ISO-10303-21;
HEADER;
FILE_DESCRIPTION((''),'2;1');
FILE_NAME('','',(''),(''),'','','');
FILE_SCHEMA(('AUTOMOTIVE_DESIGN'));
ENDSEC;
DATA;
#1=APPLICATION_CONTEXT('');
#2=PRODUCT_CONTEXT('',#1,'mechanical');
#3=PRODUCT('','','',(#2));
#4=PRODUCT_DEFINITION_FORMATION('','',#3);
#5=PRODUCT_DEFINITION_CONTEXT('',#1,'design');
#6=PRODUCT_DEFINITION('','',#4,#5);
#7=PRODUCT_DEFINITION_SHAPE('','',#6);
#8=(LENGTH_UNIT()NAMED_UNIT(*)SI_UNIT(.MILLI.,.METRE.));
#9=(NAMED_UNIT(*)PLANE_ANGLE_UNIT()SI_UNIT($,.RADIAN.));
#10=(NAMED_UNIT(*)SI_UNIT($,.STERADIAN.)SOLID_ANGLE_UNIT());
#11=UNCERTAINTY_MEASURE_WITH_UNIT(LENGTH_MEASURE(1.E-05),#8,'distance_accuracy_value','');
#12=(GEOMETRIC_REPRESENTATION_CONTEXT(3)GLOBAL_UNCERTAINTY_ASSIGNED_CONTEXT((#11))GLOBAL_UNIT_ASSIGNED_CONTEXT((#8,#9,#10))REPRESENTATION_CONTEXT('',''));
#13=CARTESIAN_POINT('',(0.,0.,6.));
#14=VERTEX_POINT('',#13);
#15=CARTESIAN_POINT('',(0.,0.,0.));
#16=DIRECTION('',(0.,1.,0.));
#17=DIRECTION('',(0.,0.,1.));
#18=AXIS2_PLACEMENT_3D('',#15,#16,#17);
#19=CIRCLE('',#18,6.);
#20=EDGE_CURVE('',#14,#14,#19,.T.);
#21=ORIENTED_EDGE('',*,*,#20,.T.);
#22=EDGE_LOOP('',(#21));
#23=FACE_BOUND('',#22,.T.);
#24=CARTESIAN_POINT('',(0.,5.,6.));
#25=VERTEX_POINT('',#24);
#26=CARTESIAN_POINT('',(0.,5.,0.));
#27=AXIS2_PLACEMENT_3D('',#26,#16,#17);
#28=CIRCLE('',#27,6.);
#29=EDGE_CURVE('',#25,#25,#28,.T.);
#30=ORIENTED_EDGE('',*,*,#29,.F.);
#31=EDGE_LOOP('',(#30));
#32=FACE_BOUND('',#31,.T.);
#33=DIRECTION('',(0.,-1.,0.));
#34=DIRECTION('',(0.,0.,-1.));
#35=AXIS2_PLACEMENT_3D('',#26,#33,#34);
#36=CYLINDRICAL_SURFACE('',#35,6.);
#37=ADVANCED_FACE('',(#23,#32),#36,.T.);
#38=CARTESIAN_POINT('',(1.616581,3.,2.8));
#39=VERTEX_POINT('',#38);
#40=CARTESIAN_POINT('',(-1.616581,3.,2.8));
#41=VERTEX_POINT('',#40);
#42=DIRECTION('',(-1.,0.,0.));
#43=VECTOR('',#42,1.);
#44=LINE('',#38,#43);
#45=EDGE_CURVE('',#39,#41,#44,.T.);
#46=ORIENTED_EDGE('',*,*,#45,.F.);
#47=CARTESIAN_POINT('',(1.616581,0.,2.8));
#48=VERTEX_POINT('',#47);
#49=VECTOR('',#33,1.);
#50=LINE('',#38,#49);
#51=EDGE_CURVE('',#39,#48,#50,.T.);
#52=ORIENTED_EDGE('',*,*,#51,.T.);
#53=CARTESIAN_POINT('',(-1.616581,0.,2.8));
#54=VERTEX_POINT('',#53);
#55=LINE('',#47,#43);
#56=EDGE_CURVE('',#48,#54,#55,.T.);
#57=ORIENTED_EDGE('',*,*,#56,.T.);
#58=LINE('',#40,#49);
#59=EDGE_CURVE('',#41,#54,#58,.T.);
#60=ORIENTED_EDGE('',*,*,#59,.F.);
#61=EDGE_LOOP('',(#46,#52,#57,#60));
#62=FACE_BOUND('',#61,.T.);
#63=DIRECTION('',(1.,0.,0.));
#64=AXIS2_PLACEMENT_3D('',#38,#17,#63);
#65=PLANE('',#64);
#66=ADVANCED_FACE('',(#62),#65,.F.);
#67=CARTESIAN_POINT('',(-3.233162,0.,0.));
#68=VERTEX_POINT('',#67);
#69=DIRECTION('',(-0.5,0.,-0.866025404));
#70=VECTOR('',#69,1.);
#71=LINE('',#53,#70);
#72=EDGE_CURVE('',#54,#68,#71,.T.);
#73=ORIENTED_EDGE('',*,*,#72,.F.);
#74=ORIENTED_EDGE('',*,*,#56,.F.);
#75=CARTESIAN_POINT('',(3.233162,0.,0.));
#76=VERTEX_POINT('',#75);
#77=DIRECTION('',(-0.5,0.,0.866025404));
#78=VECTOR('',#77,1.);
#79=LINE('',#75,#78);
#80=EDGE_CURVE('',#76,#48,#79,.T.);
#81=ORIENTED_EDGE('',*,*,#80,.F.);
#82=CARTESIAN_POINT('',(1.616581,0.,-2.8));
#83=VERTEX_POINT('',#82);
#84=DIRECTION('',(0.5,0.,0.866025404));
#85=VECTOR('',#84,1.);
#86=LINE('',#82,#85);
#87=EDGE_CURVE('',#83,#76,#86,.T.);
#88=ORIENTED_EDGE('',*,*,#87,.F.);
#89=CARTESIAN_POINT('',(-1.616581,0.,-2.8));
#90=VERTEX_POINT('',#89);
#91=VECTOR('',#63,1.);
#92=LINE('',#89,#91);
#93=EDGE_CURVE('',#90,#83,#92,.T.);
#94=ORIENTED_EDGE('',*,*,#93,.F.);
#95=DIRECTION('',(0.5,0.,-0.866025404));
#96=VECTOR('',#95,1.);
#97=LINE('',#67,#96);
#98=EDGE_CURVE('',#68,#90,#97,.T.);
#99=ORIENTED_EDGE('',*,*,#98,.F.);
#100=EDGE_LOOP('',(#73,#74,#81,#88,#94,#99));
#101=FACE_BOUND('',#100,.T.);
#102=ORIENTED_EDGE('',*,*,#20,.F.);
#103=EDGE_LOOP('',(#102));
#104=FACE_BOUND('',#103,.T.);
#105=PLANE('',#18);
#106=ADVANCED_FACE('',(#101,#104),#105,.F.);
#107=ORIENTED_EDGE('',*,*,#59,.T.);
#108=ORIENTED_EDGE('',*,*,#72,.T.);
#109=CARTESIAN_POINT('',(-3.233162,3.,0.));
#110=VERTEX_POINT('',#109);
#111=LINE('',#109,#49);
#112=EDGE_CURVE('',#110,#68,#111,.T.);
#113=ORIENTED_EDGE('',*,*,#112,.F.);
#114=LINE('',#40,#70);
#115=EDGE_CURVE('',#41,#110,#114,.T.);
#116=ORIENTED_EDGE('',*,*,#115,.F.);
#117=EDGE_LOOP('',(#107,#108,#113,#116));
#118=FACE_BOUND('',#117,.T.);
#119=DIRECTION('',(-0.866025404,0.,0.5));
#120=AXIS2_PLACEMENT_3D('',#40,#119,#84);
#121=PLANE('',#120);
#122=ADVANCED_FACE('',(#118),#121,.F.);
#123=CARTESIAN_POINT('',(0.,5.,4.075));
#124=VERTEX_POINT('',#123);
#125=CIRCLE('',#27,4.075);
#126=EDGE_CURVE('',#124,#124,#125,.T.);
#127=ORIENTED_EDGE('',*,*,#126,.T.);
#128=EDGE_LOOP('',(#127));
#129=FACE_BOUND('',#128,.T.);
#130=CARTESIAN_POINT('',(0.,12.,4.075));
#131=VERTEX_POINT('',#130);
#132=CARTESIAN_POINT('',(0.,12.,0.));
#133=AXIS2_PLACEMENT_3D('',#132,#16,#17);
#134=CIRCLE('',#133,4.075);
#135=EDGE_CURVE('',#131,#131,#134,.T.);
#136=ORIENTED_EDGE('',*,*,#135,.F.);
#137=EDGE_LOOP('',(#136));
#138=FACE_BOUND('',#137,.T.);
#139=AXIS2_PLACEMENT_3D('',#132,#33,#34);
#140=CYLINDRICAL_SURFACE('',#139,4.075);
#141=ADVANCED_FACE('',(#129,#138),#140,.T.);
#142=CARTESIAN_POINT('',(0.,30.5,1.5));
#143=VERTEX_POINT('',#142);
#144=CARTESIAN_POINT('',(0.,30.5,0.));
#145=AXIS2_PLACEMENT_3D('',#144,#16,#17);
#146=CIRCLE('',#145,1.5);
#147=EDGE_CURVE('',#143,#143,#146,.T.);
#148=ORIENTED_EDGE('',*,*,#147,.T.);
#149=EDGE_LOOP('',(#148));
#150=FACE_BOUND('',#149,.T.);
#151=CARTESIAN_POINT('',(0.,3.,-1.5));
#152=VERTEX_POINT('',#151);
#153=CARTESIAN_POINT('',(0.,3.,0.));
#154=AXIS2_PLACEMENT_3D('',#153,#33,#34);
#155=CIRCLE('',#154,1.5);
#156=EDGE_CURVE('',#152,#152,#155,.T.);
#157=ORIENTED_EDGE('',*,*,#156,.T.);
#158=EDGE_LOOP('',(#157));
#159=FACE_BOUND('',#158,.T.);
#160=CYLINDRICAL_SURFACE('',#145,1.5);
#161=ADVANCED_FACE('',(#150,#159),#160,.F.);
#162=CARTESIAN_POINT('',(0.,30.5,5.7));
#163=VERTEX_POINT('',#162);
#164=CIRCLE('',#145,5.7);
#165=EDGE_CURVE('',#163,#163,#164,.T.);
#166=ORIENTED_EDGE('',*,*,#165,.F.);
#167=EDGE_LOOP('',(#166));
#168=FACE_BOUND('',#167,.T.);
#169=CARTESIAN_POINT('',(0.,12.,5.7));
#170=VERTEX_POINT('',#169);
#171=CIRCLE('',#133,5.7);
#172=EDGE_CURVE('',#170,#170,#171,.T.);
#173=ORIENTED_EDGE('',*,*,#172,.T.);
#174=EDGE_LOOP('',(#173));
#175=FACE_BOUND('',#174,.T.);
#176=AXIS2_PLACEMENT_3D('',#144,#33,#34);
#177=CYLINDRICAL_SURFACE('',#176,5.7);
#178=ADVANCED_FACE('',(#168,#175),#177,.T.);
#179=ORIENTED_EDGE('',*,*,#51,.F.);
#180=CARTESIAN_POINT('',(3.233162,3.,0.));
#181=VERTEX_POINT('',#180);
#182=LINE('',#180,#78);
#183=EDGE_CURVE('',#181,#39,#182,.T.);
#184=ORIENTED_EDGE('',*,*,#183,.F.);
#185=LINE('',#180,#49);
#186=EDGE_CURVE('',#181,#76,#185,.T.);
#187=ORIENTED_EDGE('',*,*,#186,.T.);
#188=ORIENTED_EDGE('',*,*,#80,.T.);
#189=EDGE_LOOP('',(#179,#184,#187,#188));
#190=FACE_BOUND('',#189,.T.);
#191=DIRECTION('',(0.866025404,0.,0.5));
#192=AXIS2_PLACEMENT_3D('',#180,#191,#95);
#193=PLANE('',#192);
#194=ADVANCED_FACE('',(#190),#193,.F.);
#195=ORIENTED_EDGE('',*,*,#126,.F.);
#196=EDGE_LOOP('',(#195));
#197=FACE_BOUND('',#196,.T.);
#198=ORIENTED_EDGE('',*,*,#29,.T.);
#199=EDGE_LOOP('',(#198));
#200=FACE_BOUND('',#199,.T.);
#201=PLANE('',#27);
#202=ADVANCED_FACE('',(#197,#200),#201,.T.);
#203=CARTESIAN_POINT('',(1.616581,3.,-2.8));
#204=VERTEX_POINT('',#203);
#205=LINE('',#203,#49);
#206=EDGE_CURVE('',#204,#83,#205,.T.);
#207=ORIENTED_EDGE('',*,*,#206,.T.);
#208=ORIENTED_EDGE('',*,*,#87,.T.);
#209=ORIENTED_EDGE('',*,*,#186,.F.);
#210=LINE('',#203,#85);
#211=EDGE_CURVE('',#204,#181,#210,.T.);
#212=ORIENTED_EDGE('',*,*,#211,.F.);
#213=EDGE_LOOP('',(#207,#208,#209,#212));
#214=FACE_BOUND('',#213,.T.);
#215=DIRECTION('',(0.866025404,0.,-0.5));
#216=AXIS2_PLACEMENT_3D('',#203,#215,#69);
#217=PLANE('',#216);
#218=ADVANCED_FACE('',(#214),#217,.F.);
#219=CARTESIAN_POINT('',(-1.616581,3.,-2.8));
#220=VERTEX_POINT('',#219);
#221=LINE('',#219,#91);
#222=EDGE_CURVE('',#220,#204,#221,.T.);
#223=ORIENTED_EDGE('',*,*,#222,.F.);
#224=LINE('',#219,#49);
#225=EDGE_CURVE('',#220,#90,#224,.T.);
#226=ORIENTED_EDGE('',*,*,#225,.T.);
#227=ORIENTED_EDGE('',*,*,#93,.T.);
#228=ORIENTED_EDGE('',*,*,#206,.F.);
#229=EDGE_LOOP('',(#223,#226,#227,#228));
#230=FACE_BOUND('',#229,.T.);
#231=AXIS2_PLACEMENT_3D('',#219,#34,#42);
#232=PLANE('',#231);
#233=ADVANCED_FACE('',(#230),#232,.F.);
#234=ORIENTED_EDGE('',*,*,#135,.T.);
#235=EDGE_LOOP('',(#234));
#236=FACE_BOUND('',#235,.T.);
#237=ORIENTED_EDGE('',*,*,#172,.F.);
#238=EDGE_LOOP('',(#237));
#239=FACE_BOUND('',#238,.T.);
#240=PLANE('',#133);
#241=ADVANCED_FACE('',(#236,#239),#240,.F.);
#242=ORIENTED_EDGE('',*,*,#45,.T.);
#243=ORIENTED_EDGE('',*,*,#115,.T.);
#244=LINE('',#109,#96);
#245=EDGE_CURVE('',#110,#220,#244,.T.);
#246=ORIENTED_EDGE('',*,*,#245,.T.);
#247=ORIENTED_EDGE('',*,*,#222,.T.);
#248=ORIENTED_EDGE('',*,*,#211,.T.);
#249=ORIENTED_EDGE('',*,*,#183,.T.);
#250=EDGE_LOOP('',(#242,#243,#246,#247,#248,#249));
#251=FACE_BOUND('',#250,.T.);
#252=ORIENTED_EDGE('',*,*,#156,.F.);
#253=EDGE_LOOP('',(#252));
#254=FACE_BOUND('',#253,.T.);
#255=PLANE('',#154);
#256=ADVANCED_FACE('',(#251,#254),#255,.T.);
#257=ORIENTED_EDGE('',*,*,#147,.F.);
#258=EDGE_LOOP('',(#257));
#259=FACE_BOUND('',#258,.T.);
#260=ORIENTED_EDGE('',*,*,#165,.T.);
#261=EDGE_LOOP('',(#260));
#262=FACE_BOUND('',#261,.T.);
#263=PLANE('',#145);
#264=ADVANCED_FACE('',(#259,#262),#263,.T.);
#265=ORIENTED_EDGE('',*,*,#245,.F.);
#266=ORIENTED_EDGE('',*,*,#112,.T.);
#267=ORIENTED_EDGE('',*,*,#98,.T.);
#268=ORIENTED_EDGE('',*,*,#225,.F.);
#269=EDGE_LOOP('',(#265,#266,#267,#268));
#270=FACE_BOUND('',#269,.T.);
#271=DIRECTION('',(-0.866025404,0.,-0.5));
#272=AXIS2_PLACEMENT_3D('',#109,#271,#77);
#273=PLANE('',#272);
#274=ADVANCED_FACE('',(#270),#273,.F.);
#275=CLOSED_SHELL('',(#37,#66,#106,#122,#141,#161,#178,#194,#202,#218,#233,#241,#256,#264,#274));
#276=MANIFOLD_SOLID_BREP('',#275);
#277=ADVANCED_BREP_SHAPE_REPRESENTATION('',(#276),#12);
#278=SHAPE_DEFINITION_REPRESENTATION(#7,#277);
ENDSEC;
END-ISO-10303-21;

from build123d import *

# Parameters (mm, degrees)
SKETCH1_R                 = 6
BOSS_EXTRUDE1_DEPTH       = 5
CUT_EXTRUDE1_DEPTH        = 3
SKETCH3_R                 = 4.075
BOSS_EXTRUDE2_DEPTH       = 7
SKETCH4_R                 = 5.7
BOSS_EXTRUDE3_DEPTH       = 18.5
F_1_0MM_DOWEL_HOLE1_D     = 3
F_1_0MM_DOWEL_HOLE1_DEPTH = 30.5
F_1_0MM_DOWEL_HOLE1_TIP   = 0.901290929


with BuildPart() as part:
    # Sketch1 → Boss-Extrude1 (new body)
    with BuildSketch(Plane(origin=(0, 0, 0), x_dir=(1, 0, 0), z_dir=(0, 1, 0))):
        with Locations(Location((0, 0, 0), (0, 0, 270))):
            Circle(SKETCH1_R)
    extrude(amount=BOSS_EXTRUDE1_DEPTH)

    # Sketch2 → Cut-Extrude1 (cut)
    with BuildSketch(Plane.XZ):
        Polygon((3.233161507, 0), (1.616580754, 2.8), (-1.616580754, 2.8), (-3.233161507, 0), (-1.616580754, -2.8), (1.616580754, -2.8), align=None)
    extrude(amount=-CUT_EXTRUDE1_DEPTH, mode=Mode.SUBTRACT)

    # Sketch3 → Boss-Extrude2 (add)
    with BuildSketch(Plane(origin=(0, 5, 0), x_dir=(1, 0, 0), z_dir=(0, 1, 0))):
        with Locations(Location((0, 0, 0), (0, 0, 270))):
            Circle(SKETCH3_R)
    extrude(amount=BOSS_EXTRUDE2_DEPTH)

    # Sketch4 → Boss-Extrude3 (add)
    with BuildSketch(Plane(origin=(0, 12, 0), x_dir=(1, 0, 0), z_dir=(0, 1, 0))):
        with Locations(Location((0, 0, 0), (0, 0, 270))):
            Circle(SKETCH4_R)
    extrude(amount=BOSS_EXTRUDE3_DEPTH)

    # Ø1.0mm Dowel Hole1
    with Locations(Plane(origin=(0, 30.5, 0), x_dir=(1, 0, 0), z_dir=(0, 1, 0))):
        with Locations((0, 0)):
            Hole(F_1_0MM_DOWEL_HOLE1_D / 2, depth=F_1_0MM_DOWEL_HOLE1_DEPTH)
            with Locations((0, 0, -(F_1_0MM_DOWEL_HOLE1_DEPTH + F_1_0MM_DOWEL_HOLE1_TIP / 2))):  # 118° drill point
                Cone(0, F_1_0MM_DOWEL_HOLE1_D / 2, F_1_0MM_DOWEL_HOLE1_TIP, mode=Mode.SUBTRACT)


solid = part.part
